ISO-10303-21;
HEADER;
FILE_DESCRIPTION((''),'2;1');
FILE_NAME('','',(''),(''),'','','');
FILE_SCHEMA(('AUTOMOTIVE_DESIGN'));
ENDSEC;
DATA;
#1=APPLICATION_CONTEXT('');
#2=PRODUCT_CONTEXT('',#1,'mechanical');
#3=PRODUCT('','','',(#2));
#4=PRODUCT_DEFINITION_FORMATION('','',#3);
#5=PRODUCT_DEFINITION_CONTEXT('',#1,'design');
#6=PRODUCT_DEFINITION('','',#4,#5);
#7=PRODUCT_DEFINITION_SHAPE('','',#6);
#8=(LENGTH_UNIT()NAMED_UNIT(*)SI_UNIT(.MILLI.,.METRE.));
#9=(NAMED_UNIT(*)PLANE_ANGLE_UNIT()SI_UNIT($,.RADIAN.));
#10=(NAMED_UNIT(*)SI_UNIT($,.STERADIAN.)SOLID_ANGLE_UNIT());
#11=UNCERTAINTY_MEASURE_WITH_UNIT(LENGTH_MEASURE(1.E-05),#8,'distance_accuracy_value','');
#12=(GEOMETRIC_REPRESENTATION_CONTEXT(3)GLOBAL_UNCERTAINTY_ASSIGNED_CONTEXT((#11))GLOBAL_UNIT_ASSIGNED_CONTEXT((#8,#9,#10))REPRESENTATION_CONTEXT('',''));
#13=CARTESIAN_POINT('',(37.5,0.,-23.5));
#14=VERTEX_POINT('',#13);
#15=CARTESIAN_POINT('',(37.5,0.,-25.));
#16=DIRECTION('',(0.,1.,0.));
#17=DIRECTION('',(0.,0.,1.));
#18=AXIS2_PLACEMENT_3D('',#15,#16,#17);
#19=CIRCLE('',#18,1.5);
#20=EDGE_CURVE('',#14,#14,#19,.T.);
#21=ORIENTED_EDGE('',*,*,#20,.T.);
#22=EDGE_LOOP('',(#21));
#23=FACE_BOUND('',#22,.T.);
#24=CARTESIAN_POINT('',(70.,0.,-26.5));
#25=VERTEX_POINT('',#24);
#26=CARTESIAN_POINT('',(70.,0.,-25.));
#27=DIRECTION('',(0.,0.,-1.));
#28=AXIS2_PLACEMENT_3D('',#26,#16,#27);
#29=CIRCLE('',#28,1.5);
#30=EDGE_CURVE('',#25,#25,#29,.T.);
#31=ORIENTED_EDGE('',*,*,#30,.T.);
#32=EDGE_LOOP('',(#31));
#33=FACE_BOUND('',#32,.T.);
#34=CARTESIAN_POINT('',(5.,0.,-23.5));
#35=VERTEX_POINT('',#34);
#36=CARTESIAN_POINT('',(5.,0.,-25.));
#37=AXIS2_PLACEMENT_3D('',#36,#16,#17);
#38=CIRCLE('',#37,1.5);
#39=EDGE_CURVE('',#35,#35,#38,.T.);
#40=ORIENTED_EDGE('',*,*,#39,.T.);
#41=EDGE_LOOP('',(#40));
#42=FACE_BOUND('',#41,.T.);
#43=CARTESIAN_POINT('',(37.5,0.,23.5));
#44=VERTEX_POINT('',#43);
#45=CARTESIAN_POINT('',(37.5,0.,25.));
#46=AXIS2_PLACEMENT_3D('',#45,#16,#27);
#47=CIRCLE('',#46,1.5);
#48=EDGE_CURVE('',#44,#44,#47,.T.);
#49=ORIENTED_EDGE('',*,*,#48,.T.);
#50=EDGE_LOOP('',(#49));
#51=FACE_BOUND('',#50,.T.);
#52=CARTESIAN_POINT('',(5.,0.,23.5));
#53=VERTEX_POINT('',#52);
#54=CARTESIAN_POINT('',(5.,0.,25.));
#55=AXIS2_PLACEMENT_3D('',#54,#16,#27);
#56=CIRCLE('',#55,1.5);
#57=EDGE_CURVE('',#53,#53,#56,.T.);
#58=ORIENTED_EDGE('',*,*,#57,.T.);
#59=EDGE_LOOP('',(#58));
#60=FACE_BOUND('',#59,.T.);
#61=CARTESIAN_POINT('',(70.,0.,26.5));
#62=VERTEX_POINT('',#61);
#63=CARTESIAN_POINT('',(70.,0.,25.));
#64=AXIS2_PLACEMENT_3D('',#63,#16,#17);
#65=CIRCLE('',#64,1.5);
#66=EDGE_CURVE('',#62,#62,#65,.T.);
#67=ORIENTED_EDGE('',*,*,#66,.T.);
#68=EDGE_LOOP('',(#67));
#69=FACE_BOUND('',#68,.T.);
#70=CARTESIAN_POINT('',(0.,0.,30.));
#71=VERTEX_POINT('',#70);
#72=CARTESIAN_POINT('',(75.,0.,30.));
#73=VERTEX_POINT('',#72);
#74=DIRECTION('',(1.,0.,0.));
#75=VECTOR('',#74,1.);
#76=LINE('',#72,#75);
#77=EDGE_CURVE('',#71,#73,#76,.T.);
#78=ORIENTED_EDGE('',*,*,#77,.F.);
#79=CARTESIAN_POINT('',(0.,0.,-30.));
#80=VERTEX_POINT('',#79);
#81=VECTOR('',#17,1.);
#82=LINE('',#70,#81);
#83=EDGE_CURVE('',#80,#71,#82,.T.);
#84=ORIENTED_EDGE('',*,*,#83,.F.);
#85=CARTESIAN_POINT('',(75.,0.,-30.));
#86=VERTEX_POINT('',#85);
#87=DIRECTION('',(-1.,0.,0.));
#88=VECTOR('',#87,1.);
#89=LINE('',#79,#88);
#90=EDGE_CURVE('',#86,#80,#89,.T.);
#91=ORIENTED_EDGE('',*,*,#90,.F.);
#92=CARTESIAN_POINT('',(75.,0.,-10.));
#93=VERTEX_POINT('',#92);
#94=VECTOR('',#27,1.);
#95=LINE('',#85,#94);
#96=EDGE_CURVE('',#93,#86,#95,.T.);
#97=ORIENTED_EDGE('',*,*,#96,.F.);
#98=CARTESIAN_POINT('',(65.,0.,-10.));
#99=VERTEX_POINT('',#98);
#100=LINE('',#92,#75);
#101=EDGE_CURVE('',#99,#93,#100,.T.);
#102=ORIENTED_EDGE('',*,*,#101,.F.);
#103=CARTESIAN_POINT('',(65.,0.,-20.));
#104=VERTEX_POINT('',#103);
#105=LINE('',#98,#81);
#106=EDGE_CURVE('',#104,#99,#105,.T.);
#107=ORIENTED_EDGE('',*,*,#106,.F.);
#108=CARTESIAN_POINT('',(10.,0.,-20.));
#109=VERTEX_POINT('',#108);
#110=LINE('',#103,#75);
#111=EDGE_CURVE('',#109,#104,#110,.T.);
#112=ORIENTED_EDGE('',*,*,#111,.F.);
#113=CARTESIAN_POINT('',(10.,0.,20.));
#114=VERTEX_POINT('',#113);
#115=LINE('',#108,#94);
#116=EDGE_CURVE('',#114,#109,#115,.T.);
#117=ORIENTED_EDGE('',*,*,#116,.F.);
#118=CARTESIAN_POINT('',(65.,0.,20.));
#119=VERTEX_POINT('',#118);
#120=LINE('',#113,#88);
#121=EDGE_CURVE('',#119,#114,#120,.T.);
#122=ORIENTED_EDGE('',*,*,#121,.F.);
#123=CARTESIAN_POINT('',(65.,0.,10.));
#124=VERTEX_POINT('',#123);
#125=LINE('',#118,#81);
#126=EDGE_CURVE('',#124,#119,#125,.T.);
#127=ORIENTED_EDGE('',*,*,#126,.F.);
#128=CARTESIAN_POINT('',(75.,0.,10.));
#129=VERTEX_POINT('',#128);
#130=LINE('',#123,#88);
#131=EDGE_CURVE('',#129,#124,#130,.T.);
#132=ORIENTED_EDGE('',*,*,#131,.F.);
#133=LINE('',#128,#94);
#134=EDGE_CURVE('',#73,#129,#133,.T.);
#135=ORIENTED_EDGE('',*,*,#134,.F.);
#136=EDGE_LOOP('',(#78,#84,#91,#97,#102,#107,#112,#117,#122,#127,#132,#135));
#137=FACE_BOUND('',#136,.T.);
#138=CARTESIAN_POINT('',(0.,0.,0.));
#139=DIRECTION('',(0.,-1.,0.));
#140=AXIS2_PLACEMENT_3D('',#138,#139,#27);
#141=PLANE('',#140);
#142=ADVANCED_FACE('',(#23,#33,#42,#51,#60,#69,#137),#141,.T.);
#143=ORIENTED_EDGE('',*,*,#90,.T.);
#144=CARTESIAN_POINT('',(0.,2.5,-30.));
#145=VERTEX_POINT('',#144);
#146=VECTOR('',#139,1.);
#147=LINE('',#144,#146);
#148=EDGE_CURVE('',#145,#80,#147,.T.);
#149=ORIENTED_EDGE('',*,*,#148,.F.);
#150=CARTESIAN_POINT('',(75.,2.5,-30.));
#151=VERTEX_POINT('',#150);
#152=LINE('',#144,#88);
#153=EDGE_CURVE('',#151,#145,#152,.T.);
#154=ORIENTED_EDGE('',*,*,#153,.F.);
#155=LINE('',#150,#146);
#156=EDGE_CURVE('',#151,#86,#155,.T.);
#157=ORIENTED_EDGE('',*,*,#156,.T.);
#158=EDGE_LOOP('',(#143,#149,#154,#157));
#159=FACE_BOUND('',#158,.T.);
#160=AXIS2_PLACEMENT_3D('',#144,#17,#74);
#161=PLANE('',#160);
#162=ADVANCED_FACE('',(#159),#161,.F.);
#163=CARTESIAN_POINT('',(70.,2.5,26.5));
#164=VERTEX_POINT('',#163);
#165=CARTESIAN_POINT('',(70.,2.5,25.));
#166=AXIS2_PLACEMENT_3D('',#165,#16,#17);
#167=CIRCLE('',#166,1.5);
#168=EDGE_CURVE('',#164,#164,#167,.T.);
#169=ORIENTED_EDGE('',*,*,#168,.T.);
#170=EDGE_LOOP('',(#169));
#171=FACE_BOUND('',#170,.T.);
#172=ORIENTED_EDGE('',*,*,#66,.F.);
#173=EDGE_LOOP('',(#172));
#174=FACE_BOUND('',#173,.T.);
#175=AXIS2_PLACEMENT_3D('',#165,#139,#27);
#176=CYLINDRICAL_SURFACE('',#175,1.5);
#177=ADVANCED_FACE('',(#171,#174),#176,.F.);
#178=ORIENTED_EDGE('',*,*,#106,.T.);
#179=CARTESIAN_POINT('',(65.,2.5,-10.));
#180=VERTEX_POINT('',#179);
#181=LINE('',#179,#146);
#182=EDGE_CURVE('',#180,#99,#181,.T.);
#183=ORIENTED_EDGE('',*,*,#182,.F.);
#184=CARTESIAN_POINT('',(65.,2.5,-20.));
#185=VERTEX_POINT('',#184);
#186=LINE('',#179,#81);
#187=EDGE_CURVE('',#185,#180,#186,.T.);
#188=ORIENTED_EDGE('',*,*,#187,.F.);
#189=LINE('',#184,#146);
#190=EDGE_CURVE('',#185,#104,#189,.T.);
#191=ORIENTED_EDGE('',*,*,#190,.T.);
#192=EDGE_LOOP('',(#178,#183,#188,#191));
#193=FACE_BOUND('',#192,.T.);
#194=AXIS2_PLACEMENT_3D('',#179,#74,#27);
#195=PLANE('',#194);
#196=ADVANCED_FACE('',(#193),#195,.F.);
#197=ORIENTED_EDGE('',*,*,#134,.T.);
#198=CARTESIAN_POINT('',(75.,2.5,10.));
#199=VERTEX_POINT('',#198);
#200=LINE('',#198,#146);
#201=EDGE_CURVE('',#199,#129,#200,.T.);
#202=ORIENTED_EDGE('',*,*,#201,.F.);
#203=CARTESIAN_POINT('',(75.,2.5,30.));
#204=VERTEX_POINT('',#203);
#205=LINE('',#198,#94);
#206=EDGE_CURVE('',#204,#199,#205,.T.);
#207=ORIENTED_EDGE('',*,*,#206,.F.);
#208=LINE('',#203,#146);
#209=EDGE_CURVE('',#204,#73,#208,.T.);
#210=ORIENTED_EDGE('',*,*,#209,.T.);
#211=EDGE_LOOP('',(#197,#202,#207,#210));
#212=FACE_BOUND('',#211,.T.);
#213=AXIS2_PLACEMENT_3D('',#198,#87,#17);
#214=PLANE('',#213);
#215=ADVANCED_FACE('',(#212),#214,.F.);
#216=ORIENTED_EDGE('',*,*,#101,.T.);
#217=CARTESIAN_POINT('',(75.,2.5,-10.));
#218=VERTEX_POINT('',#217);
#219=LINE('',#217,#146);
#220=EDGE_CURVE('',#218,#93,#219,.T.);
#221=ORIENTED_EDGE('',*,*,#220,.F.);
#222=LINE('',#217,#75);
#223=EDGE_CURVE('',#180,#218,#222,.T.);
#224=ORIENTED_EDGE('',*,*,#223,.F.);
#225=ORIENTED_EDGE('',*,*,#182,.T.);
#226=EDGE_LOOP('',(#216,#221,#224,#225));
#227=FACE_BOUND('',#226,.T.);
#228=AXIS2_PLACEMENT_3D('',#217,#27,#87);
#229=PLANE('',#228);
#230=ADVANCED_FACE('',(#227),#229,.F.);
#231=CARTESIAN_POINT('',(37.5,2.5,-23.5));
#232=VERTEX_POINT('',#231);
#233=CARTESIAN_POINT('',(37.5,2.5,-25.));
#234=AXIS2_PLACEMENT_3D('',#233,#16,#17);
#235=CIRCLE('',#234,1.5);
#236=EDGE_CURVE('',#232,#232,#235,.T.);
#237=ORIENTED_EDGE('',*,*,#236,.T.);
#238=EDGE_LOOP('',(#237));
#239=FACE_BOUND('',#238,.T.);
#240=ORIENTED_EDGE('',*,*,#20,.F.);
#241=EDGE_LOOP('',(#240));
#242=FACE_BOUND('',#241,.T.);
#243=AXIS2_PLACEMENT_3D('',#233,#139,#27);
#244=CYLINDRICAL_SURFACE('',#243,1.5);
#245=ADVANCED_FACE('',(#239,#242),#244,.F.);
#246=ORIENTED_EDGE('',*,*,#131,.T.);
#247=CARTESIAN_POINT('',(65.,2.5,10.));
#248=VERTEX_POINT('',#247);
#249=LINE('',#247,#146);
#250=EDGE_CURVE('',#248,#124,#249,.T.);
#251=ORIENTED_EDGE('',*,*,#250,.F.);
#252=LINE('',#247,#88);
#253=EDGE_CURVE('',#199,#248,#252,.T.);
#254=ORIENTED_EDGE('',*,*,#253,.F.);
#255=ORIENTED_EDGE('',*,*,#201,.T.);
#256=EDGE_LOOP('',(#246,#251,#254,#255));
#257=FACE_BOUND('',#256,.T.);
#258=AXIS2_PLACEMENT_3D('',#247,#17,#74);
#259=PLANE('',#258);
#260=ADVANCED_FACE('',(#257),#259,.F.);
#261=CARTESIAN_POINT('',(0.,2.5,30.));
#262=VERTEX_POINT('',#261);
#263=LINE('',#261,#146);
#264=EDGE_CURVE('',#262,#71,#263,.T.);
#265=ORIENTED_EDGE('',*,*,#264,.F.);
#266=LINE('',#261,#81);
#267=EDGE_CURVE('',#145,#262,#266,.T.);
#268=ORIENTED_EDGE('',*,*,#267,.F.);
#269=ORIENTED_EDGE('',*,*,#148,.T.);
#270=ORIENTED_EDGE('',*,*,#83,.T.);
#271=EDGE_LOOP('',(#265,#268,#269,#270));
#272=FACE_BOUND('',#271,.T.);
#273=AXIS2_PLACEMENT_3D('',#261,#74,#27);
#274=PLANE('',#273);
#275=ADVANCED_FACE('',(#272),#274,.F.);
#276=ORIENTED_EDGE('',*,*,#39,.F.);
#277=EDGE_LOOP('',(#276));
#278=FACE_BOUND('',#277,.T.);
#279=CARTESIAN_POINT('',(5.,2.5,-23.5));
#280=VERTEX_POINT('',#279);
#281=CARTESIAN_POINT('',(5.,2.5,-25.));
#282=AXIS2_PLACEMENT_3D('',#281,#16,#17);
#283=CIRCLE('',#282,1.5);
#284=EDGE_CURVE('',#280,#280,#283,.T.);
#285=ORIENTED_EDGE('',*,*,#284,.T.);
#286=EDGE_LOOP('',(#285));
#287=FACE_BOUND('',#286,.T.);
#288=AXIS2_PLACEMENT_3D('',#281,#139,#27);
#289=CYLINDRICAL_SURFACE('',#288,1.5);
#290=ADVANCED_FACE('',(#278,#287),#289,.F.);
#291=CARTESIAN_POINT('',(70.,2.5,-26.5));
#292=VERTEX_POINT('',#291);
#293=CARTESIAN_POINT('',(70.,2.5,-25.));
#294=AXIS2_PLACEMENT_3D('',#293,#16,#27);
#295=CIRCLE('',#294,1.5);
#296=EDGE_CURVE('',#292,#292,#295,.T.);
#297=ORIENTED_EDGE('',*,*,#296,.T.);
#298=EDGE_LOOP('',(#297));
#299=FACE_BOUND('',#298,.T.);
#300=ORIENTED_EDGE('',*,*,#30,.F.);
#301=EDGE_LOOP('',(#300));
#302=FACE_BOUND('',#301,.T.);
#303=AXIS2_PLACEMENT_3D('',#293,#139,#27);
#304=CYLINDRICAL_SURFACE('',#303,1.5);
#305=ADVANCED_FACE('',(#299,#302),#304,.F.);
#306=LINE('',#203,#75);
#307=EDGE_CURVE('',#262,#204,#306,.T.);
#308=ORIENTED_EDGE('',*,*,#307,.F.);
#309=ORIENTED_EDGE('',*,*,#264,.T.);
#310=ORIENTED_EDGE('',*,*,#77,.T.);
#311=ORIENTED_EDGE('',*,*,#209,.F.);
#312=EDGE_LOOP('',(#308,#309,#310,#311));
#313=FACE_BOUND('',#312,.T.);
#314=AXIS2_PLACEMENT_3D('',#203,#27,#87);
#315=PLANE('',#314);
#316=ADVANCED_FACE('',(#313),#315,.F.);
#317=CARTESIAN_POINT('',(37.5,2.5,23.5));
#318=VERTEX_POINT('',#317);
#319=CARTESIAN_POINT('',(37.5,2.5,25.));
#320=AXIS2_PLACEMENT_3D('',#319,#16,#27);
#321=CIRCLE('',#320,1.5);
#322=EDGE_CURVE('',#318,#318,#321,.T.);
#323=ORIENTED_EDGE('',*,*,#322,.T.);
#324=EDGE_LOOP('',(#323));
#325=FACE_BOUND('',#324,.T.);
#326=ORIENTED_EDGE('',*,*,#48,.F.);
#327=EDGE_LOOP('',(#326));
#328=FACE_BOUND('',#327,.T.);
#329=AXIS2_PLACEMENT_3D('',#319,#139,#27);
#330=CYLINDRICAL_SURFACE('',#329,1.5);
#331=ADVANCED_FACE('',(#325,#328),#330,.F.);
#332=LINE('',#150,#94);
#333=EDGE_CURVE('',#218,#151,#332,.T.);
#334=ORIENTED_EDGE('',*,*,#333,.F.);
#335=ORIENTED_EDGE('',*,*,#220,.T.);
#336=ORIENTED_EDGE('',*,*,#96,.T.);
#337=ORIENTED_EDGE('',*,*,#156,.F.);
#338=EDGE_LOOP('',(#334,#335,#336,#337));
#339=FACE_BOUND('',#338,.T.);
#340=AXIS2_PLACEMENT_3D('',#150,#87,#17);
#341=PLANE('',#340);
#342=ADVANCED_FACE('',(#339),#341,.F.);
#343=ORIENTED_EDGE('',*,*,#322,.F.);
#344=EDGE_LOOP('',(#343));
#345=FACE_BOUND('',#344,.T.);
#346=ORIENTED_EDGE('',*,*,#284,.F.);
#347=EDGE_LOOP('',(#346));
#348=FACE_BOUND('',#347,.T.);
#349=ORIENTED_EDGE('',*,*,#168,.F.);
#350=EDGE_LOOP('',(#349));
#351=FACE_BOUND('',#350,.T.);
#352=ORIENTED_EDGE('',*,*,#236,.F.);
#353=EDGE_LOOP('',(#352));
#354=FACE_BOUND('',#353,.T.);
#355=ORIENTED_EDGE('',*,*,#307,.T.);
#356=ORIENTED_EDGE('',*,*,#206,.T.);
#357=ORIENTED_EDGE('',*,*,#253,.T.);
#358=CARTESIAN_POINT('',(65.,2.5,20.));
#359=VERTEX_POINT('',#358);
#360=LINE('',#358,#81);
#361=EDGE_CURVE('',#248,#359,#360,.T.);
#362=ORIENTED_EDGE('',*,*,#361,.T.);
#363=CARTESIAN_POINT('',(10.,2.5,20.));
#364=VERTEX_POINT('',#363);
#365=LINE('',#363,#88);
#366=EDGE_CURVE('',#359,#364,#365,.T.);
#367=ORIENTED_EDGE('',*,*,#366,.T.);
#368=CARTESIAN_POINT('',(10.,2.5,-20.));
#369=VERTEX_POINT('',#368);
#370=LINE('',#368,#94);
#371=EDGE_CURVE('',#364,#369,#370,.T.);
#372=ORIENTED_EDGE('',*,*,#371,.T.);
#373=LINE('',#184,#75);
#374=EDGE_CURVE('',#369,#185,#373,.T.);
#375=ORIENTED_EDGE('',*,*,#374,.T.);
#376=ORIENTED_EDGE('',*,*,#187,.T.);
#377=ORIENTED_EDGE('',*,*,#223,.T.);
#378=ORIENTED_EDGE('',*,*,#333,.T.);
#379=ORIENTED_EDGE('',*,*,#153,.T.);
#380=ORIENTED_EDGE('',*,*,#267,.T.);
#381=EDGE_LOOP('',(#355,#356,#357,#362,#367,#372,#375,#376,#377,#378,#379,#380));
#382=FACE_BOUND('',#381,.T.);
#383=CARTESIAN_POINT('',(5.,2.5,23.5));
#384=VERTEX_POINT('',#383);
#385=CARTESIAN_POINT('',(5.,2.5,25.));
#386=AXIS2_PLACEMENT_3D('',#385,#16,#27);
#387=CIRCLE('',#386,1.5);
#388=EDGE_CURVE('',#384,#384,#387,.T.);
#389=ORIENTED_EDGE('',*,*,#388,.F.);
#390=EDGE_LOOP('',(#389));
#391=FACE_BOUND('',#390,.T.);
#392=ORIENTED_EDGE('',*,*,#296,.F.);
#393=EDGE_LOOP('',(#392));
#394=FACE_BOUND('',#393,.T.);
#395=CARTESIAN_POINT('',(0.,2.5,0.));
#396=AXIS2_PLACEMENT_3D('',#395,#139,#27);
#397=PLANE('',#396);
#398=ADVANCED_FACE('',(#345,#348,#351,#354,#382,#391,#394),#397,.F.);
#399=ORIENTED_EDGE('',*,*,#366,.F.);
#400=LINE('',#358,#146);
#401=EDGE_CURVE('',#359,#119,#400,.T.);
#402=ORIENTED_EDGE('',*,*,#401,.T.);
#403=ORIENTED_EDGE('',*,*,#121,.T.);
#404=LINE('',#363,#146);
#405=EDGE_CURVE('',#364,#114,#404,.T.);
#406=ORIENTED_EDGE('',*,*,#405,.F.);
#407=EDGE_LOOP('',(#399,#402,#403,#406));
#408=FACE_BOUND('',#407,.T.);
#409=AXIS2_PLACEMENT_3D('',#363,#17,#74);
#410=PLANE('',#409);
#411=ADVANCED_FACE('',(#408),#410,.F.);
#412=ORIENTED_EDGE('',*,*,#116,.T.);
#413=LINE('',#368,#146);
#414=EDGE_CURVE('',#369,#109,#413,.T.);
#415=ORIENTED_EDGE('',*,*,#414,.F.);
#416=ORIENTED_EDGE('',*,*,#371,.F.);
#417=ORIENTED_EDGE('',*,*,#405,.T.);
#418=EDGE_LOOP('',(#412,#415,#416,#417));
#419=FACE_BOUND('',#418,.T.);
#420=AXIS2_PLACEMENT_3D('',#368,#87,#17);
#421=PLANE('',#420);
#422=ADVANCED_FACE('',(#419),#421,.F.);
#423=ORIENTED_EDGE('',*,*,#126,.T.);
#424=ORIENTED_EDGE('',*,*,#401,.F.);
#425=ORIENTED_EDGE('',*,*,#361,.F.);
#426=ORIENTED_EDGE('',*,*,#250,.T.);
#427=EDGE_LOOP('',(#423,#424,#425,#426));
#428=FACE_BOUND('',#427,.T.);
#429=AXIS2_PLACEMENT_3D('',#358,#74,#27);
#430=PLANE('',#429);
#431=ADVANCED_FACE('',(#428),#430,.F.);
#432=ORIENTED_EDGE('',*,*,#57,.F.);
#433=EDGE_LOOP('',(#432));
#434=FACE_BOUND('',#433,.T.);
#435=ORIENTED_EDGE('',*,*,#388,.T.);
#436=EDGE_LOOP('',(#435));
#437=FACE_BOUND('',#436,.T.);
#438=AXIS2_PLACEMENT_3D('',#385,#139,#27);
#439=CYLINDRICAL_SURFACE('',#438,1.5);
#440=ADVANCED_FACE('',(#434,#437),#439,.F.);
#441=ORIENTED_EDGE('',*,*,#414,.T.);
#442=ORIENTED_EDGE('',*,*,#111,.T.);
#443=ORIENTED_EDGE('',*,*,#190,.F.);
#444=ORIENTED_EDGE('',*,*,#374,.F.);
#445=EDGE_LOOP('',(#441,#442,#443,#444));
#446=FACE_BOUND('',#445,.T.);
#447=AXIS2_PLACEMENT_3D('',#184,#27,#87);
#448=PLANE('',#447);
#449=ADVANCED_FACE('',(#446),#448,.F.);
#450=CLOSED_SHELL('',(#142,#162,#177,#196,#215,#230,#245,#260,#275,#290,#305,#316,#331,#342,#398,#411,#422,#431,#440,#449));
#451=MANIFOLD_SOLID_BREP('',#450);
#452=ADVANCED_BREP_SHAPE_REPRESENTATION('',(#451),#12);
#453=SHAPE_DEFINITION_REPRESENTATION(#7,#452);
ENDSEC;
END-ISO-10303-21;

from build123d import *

# Parameters (mm, degrees)
EXTRUDE_2_DEPTH     = 2.5
SKETCH_2_R          = 1.5
CUT_EXTRUDE_1_DEPTH = 81.816149376


with BuildPart() as part:
    # 草图1 → 凸台-拉伸2 (new body)
    with BuildSketch(Plane(origin=(0, 0, 0), x_dir=(1, 0, 0), z_dir=(0, 1, 0))):
        Polygon((0, -30), (0, 30), (75, 30), (75, 10), (65, 10), (65, 20), (10, 20), (10, -20), (65, -20), (65, -10), (75, -10), (75, -30), align=None)
    extrude(amount=EXTRUDE_2_DEPTH)

    # 草图2 → 切除-拉伸1 (cut, through all)
    with BuildSketch(Plane(origin=(0, 0, 0), x_dir=(1, 0, 0), z_dir=(0, 1, 0))):
        with Locations(Location((5, 25, 0), (0, 0, 270))):
            Circle(SKETCH_2_R)
        with Locations(Location((70, 25, 0), (0, 0, 90))):
            Circle(SKETCH_2_R)
        with Locations(Location((70, -25, 0), (0, 0, 270))):
            Circle(SKETCH_2_R)
        with Locations(Location((5, -25, 0), (0, 0, 90))):
            Circle(SKETCH_2_R)
        with Locations(Location((37.5, -25, 0), (0, 0, 90))):
            Circle(SKETCH_2_R)
        with Locations(Location((37.5, 25, 0), (0, 0, 270))):
            Circle(SKETCH_2_R)
    extrude(amount=CUT_EXTRUDE_1_DEPTH, mode=Mode.SUBTRACT)


solid = part.part
